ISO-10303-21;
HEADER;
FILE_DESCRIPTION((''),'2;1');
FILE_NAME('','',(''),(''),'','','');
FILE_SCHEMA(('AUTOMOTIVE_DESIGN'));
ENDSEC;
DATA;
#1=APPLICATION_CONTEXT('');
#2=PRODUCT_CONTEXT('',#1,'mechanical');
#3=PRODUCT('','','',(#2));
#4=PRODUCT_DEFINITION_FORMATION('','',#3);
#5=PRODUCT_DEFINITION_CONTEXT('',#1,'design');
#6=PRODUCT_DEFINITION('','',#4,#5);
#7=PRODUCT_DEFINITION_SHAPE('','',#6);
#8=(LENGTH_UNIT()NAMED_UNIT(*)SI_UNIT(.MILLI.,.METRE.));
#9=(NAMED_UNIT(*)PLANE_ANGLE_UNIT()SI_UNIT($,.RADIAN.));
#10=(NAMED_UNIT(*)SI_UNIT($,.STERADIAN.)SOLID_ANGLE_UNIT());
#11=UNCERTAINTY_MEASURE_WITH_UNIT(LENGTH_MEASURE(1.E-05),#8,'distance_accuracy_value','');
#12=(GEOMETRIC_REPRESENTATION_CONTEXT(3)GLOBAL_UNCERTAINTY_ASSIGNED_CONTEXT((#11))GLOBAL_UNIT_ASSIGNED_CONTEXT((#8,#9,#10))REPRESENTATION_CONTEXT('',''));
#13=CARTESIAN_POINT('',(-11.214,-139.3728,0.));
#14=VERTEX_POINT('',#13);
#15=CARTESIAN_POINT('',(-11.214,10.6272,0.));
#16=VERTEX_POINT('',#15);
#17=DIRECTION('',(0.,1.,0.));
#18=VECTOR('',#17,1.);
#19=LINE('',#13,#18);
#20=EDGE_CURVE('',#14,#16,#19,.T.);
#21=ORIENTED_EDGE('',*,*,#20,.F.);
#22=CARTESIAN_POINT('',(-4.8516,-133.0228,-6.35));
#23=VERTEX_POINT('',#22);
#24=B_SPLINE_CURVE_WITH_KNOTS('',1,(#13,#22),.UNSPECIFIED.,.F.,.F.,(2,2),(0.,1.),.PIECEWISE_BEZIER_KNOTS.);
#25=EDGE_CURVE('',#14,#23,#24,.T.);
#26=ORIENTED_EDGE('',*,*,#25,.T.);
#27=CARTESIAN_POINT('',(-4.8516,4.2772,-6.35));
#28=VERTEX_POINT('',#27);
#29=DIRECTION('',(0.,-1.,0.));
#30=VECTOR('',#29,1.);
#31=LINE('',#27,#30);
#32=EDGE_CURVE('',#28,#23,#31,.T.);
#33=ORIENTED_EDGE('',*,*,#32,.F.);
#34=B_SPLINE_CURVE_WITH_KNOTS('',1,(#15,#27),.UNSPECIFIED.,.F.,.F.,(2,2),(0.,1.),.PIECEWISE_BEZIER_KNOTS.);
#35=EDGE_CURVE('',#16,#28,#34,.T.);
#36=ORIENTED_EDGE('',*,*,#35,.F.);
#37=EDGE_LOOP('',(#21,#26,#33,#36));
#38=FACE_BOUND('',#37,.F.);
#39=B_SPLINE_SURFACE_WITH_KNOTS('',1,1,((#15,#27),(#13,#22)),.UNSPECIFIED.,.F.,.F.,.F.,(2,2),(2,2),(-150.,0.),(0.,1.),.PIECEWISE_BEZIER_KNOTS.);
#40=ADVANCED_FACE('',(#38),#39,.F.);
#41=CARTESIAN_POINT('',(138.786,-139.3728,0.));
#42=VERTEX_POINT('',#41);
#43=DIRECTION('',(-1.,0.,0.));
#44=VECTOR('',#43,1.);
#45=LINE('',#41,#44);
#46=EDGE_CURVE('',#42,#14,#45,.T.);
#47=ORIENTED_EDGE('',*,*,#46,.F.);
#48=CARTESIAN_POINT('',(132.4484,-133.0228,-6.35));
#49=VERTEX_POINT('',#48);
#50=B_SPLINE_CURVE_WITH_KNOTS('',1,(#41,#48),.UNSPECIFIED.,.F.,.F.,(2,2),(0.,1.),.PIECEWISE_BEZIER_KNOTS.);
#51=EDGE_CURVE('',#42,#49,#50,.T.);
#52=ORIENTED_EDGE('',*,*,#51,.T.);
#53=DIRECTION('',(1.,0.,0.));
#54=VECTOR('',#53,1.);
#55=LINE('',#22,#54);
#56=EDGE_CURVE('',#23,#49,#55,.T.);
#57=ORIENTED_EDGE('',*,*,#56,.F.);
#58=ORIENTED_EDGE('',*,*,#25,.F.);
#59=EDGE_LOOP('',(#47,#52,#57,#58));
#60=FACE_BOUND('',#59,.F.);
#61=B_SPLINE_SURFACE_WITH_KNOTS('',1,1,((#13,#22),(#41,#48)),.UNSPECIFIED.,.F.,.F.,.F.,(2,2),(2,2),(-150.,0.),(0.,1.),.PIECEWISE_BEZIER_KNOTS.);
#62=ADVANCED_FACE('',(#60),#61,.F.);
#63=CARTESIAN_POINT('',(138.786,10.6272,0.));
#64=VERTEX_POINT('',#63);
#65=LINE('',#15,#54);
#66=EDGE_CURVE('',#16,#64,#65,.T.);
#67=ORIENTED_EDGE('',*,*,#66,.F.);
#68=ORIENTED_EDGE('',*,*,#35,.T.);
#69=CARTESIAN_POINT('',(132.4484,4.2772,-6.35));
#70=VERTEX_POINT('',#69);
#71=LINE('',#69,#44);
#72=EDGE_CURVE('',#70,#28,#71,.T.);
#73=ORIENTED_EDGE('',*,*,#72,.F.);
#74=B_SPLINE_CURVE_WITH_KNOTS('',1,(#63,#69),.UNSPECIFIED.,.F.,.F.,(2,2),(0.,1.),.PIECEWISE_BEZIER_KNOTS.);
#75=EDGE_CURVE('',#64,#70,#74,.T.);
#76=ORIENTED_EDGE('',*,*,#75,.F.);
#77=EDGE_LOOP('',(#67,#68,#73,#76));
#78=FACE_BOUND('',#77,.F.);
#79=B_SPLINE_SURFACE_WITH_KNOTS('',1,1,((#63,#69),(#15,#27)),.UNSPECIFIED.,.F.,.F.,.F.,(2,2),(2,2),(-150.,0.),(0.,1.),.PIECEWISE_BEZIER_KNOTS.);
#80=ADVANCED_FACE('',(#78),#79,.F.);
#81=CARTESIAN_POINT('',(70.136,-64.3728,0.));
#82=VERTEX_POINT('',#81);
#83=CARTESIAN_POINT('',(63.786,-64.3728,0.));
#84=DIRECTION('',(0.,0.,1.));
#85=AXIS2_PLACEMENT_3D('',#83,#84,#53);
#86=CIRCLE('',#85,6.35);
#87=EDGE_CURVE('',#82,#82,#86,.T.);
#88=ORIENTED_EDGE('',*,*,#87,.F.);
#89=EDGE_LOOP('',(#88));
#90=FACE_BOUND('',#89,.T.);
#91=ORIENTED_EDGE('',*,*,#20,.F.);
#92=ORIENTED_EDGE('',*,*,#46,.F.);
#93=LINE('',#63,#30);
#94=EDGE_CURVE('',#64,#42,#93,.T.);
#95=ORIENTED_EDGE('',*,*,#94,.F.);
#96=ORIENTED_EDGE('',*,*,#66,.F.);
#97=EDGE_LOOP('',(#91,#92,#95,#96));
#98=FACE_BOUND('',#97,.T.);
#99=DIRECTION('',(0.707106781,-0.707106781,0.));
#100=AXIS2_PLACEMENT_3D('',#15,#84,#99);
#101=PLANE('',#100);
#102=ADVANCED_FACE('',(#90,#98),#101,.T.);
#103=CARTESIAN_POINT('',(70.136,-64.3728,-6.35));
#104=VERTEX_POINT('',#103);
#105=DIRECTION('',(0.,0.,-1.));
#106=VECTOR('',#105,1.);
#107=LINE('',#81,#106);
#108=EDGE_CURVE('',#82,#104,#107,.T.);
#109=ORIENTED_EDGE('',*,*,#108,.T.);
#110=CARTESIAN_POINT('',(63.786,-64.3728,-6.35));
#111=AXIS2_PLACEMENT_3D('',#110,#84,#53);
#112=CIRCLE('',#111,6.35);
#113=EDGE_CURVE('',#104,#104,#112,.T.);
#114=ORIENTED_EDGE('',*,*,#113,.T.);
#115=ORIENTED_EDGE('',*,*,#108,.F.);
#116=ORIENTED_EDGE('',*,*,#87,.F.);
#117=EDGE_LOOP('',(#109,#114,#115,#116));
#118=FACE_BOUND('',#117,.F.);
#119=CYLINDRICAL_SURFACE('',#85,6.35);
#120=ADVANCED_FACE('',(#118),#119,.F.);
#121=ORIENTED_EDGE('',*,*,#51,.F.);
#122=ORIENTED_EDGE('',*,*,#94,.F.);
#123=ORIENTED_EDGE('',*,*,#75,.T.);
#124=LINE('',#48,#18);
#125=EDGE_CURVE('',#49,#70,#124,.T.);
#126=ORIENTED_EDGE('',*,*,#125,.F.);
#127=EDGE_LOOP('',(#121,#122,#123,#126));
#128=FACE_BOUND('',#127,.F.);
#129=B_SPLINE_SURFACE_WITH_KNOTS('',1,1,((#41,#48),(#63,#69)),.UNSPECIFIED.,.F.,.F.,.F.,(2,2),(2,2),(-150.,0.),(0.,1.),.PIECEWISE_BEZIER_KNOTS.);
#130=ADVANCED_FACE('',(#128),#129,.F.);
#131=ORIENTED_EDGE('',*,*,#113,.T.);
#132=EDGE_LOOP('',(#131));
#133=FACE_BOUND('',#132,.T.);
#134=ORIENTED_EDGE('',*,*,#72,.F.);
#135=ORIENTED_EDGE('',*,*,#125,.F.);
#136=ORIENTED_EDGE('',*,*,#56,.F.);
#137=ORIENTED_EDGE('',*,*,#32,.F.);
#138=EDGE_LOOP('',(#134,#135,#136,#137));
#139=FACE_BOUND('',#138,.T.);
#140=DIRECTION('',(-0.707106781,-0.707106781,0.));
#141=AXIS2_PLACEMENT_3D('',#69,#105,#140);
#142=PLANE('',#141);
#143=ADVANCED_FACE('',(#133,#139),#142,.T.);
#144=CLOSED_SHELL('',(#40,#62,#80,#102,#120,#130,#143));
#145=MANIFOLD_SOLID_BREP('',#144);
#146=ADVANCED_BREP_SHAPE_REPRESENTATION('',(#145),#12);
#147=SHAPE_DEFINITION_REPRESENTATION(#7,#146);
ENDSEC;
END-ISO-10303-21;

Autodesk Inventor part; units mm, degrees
ref_plane "YZ Plane" through (0, 0, 0) normal (1, 0, 0) x (0, 1, 0)
ref_plane "XZ Plane" through (0, 0, 0) normal (0, 1, 0) x (-1, 0, 0)
ref_plane "XY Plane" through (0, 0, 0) normal (0, 0, 1) x (1, 0, 0)
sketch "Sketch1" plane through (0, 0, 0) normal (0, 0, 1) x (1, 0, 0)
  line L0 (-11.214, 10.6272) -> (138.786, 10.6272)
  line L1 (138.786, 10.6272) -> (138.786, -139.3728)
  line L2 (138.786, -139.3728) -> (-11.214, -139.3728)
  line L3 (-11.214, -139.3728) -> (-11.214, 10.6272)
  point P0 (0, 0)
  dimension "d0" = 150
  dimension "d1" = 150
ref_plane "Work Plane2" through (-11.214, 10.6272, -6.35) normal (0, 0, -1) x (1, 0, 0)
ref_plane "Work Plane1" through (-11.214, 10.6272, 0) normal (0, 0, -1) x (1, 0, 0)
sketch "Sketch2" plane through (-11.214, 10.6272, -6.35) normal (0, 0, -1) x (1, 0, 0)
  line L0 (143.6624, 6.35) -> (6.3624, 6.35)
  line L1 (6.3624, 6.35) -> (6.3624, 143.65)
  line L2 (6.3624, 143.65) -> (143.6624, 143.65)
  line L3 (143.6624, 143.65) -> (143.6624, 6.35)
  line L4 (150, 0) -> (0, 0) construction
  line L5 (0, 0) -> (0, 150) construction
  point P0 (11.214, 10.6272)
  dimension "d3" = 137.3
  dimension "d4" = 137.3
  dimension "d6" = 6.35
  dimension "d7" = 143.6624
loft "Loft1" add profiles "Sketch1", "Sketch2"
sketch "Sketch3" plane through (-11.214, 10.6272, 0) normal (0, 0, 1) x (1, 0, 0)
  line L0 (0, 0) -> (6.3624, -6.35) projected
  line L1 (150, 0) -> (150, -150) projected
  line L2 (0, 0) -> (150, -150) construction
  line L3 (0, -150) -> (6.3624, -143.65) projected
  line L4 (0, -150) -> (150, 0) construction
  circle A0 centre (75, -75) radius 6.35
  point P0 (11.214, -10.6272)
  dimension "d12" = 12.7
extrude "Extrusion1" cut sketch "Sketch3" against normal blind 25.4
properties part number "insulationlid"
